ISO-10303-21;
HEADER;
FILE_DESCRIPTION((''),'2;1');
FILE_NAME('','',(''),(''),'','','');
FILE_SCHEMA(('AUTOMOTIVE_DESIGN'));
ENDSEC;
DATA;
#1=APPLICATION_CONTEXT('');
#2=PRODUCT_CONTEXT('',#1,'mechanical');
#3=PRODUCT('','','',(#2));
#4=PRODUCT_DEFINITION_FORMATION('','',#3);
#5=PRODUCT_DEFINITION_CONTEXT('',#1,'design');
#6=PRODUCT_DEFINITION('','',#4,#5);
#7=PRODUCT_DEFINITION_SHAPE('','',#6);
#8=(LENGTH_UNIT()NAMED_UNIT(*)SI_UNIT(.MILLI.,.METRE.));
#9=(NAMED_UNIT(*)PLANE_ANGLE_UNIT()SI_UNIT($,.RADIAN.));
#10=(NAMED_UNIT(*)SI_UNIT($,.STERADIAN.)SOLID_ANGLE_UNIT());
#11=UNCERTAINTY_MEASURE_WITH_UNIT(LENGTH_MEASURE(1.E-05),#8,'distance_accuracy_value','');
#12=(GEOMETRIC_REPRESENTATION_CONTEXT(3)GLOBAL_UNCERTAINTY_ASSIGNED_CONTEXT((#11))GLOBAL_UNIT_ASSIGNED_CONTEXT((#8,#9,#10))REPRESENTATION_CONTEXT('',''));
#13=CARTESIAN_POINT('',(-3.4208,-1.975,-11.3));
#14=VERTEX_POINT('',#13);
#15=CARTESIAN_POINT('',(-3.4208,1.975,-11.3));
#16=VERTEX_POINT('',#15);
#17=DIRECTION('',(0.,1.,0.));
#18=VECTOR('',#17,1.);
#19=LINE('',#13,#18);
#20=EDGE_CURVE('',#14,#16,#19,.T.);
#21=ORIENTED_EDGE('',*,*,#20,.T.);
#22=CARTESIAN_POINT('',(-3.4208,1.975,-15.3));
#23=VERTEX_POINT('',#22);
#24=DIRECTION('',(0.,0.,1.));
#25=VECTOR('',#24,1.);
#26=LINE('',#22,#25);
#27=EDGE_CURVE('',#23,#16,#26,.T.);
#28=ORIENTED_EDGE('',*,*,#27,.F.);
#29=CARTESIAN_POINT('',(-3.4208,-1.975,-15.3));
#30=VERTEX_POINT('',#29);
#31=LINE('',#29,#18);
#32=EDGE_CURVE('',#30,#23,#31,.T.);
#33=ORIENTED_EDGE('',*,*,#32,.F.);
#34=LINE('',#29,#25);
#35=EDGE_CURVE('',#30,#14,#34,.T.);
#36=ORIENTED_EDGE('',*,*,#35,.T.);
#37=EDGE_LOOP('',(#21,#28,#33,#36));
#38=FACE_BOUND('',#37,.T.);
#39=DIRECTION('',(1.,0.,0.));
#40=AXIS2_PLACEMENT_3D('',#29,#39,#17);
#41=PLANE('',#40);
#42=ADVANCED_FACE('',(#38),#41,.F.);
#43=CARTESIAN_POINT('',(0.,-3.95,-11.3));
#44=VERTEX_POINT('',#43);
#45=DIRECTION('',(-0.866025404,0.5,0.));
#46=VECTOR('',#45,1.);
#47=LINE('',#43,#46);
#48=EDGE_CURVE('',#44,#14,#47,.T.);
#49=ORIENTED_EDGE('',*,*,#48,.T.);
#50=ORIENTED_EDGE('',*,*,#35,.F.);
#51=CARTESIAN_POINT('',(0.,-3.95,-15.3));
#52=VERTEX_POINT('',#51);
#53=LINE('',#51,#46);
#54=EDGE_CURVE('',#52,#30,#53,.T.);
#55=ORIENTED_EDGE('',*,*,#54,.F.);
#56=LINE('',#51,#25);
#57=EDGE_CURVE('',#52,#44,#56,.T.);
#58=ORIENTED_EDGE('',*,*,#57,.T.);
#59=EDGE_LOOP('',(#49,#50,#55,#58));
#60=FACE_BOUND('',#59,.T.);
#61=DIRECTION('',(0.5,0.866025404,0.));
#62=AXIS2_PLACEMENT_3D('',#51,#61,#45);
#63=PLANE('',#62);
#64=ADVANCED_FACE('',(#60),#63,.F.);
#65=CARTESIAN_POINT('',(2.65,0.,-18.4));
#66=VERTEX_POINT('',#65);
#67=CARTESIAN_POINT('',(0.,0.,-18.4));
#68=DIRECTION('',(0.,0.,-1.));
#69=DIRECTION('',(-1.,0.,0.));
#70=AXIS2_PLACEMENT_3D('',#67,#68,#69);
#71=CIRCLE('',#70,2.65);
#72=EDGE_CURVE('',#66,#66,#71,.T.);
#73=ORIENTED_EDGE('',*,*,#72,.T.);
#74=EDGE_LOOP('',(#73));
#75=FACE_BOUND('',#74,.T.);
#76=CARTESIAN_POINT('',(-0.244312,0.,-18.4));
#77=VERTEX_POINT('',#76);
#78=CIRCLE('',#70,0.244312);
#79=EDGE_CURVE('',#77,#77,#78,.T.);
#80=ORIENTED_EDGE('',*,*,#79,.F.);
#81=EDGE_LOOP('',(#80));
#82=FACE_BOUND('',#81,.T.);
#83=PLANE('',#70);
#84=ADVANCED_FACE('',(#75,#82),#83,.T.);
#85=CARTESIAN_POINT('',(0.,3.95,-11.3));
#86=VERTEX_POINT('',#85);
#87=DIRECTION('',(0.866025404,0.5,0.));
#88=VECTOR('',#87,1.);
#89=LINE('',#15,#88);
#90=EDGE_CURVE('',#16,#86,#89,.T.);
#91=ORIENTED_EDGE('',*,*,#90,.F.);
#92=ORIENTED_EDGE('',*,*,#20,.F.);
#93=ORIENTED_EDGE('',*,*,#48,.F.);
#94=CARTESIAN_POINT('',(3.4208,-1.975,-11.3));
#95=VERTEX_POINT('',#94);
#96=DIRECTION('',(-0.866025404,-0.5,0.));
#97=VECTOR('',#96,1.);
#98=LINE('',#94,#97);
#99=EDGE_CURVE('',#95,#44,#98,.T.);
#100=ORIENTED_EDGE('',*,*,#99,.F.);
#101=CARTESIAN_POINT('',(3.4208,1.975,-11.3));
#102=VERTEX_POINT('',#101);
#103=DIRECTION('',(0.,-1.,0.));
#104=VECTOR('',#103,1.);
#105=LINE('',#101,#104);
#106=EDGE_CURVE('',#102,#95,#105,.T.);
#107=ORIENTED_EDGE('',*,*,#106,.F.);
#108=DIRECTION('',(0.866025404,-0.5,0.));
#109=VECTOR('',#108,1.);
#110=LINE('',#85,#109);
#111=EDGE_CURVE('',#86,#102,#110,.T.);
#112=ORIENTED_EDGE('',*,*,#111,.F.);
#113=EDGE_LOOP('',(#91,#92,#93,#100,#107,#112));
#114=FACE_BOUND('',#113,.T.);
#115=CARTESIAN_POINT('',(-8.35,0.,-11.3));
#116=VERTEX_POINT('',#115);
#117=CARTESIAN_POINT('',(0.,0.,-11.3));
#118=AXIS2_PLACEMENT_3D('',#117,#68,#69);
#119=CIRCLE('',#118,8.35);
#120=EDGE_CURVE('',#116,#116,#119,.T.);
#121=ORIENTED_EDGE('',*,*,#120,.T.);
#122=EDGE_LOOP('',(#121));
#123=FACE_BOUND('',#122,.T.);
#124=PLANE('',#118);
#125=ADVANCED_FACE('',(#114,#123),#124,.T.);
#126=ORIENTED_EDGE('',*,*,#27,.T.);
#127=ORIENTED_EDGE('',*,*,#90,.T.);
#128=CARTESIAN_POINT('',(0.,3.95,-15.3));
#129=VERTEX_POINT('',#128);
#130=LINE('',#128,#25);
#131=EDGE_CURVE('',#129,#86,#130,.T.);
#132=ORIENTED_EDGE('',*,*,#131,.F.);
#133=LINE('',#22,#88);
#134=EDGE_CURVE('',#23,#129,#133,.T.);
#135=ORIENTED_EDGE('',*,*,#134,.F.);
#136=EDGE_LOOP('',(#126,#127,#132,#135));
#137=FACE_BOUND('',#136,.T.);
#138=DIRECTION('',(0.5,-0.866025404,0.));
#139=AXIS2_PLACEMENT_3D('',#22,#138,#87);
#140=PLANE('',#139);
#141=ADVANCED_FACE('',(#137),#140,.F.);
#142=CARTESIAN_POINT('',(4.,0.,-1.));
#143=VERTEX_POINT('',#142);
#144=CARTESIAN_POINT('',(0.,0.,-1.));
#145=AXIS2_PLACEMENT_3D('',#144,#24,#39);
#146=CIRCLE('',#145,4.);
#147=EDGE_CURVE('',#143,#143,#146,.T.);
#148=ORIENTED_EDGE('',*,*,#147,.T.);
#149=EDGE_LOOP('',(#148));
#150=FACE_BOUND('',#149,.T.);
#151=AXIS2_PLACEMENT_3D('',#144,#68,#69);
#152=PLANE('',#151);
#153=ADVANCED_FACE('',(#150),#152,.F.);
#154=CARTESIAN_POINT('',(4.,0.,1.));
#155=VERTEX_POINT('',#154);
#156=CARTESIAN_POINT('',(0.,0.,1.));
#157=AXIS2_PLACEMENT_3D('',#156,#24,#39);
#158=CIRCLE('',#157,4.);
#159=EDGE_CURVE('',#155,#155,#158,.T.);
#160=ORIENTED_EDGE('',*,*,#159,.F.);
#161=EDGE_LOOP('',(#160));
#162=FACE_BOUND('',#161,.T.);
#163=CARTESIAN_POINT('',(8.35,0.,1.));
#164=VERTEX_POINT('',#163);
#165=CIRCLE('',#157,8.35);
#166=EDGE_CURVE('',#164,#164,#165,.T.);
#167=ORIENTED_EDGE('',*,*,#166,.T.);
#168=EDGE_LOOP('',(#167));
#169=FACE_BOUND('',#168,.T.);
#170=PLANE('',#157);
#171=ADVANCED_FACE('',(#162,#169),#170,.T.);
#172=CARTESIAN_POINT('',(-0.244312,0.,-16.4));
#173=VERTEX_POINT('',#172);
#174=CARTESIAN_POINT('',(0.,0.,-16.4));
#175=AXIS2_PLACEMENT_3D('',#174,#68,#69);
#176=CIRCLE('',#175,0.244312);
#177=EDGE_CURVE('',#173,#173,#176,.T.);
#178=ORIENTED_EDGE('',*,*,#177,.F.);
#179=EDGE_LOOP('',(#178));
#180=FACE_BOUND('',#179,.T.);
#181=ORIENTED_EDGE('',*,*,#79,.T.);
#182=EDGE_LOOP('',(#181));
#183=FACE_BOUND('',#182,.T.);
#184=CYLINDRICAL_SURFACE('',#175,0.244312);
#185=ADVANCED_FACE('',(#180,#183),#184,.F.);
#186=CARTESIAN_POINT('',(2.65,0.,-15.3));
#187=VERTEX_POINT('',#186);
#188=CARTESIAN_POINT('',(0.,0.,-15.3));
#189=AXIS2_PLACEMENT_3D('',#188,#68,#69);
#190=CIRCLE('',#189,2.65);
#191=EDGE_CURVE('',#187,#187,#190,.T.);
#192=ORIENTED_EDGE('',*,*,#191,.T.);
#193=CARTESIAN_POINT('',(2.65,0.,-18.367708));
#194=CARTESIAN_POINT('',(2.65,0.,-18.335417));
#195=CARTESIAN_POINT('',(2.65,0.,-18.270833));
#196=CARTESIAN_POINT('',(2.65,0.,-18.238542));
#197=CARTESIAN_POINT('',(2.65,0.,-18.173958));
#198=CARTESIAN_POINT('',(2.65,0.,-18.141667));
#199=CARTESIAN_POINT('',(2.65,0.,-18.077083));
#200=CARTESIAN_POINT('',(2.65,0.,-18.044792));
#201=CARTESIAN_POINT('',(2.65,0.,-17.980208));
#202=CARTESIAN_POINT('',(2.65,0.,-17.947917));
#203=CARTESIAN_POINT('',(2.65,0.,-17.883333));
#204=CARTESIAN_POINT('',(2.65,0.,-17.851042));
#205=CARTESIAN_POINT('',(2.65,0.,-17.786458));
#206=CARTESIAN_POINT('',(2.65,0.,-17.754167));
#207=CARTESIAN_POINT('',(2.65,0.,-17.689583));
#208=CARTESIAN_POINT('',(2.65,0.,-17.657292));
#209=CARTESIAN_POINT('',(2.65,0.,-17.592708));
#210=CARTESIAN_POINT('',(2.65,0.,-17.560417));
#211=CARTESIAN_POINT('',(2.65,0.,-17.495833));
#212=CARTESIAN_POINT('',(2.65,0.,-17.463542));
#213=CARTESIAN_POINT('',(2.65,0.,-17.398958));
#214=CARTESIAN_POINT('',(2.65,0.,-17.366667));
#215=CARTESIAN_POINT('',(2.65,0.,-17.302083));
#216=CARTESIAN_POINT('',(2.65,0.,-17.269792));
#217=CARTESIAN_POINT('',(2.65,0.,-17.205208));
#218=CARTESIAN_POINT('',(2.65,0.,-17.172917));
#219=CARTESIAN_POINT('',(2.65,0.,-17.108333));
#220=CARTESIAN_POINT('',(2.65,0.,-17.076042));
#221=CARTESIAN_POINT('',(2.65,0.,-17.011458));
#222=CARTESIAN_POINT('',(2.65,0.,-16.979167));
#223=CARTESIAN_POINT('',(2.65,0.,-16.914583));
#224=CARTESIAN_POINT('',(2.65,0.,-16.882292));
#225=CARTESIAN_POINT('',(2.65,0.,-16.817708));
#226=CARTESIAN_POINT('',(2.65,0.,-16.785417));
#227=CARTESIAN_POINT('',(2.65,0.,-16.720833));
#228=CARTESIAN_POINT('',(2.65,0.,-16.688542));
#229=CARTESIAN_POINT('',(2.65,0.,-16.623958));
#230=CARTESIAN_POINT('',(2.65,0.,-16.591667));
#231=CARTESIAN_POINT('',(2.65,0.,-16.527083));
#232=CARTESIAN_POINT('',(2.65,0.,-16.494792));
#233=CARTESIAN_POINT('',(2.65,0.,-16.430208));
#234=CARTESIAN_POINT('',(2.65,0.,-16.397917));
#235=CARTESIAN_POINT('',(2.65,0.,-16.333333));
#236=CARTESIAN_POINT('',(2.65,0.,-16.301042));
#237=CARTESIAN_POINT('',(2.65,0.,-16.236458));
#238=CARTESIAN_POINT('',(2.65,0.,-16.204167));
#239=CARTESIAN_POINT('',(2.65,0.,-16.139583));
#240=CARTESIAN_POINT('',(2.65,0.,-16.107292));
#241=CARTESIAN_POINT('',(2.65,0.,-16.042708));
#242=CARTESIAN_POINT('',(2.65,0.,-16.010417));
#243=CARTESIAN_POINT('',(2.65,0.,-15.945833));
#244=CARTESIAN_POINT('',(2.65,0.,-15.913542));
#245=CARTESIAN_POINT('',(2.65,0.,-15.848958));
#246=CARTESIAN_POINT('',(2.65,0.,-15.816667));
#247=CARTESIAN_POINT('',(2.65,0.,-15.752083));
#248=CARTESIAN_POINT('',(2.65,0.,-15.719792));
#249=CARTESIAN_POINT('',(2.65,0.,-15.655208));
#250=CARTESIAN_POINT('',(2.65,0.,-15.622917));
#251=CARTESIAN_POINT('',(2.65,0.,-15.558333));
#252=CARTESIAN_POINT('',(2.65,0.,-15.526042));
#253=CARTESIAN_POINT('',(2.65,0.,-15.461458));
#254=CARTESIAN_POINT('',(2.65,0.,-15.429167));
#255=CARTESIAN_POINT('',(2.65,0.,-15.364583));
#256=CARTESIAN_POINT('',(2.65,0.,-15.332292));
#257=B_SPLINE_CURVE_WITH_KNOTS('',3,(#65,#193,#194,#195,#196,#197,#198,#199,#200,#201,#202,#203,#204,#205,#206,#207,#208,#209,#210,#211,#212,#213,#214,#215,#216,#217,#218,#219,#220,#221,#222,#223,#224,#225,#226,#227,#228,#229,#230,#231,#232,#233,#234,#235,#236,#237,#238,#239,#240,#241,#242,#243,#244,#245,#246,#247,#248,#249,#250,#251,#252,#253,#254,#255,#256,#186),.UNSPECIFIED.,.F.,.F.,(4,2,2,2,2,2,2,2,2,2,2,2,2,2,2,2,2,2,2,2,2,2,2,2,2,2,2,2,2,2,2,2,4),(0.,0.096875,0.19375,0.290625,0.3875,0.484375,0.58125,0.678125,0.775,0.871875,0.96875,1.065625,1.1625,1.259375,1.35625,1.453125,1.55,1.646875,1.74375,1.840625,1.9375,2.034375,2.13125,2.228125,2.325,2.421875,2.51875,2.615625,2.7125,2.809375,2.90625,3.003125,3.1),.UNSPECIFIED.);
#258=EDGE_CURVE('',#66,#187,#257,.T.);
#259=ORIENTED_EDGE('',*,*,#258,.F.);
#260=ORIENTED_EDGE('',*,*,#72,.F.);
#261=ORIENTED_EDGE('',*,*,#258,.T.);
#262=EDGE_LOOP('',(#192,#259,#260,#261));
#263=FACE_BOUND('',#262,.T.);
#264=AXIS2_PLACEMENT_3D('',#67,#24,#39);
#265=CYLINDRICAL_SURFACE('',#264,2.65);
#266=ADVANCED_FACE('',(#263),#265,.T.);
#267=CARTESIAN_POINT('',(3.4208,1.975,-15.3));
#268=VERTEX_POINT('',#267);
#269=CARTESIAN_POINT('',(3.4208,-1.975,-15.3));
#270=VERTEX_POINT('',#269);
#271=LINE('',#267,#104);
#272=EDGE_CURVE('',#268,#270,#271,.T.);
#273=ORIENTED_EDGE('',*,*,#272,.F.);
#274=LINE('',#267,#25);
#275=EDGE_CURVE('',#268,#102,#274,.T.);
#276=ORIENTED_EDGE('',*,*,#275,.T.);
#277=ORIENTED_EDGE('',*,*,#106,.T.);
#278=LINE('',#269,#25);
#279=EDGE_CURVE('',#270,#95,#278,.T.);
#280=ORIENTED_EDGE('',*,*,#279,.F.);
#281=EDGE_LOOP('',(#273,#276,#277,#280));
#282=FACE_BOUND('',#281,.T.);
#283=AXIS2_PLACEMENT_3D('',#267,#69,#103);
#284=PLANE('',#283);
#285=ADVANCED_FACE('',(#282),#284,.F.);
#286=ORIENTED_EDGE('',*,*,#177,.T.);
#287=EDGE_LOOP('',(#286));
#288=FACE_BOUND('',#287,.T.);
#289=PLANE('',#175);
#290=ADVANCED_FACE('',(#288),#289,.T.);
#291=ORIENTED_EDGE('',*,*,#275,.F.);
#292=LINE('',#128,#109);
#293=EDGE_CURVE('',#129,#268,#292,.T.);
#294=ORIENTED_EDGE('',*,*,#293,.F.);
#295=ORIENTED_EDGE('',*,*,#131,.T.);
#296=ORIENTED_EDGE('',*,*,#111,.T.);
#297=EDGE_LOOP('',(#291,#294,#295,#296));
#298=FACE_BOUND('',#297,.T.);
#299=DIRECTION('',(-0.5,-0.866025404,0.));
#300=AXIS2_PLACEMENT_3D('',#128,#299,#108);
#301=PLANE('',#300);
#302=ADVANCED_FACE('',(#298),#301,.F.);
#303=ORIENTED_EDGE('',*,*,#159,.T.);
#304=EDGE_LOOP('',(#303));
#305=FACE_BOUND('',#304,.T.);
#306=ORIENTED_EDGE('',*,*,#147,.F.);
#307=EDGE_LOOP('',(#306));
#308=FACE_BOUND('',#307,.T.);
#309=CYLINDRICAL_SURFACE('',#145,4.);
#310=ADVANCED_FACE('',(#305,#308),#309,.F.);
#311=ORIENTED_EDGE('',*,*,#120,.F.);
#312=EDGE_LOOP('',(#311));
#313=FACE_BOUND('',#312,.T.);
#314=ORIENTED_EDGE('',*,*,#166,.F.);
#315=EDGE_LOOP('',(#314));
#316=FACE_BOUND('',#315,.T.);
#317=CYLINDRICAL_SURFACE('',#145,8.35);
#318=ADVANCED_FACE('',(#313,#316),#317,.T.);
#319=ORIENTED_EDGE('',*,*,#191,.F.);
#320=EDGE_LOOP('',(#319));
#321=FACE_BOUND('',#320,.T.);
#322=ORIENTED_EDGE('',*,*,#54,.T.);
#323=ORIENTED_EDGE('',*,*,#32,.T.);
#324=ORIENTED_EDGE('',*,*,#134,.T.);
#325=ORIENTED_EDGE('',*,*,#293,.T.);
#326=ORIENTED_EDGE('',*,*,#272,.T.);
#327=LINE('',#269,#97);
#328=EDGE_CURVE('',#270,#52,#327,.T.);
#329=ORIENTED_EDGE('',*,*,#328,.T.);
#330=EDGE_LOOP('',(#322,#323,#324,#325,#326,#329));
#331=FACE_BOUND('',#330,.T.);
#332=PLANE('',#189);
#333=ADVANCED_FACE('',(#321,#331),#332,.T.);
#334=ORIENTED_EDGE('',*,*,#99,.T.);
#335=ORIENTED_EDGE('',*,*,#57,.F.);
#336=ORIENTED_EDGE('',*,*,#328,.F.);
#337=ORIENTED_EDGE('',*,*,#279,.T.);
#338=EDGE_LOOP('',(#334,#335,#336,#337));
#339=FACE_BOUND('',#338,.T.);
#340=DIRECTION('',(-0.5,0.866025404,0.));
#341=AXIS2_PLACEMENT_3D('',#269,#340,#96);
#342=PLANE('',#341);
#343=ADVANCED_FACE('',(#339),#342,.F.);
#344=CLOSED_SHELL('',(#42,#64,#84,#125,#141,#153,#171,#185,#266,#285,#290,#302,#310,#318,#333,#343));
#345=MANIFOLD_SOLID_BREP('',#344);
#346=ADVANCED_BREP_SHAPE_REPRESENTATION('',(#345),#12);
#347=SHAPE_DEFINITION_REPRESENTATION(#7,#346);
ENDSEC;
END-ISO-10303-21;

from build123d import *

# Parameters (mm, degrees)
BOSS_EXTRUDE1_DEPTH      = 1
BOSS_EXTRUDE1_DEPTH_BACK = 1
SKETCH3_R                = 8.35
SKETCH3_R_2              = 4
SKETCH4_R                = 8.35
BOSS_EXTRUDE2_DEPTH      = 10.3
BOSS_EXTRUDE4_DEPTH      = 4
SKETCH6_R                = 2.65
BOSS_EXTRUDE5_DEPTH      = 3.1
SKETCH7_R                = 0.244312337
CUT_EXTRUDE1_DEPTH       = 2


with BuildPart() as part:
    # Sketch3 → Boss-Extrude1 (new, two sides: drawn at the far end of the back side and taken through both)
    with BuildSketch(Plane.XY.offset(-BOSS_EXTRUDE1_DEPTH_BACK)):
        Circle(SKETCH3_R)
        Circle(SKETCH3_R_2, mode=Mode.SUBTRACT)
    extrude(amount=BOSS_EXTRUDE1_DEPTH + BOSS_EXTRUDE1_DEPTH_BACK)

    # Sketch4 → Boss-Extrude2 (add)
    with BuildSketch(Plane(origin=(0, 0, -1), x_dir=(-1, 0, 0), z_dir=(0, 0, -1))):
        Circle(SKETCH4_R)
    extrude(amount=BOSS_EXTRUDE2_DEPTH)

    # Sketch5 → Boss-Extrude4 (add)
    with BuildSketch(Plane(origin=(0, 0, -11.3), x_dir=(-1, 0, 0), z_dir=(0, 0, -1))):
        Polygon((0, 3.95), (-3.420800345, 1.975), (-3.420800345, -1.975), (0, -3.95), (3.420800345, -1.975), (3.420800345, 1.975), align=None)
    extrude(amount=BOSS_EXTRUDE4_DEPTH)

    # Sketch6 → Boss-Extrude5 (add)
    with BuildSketch(Plane(origin=(0, 0, -15.3), x_dir=(-1, 0, 0), z_dir=(0, 0, -1))):
        Circle(SKETCH6_R)
    extrude(amount=BOSS_EXTRUDE5_DEPTH)

    # Sketch7 → Cut-Extrude1 (cut)
    with BuildSketch(Plane(origin=(0, 0, -18.4), x_dir=(-1, 0, 0), z_dir=(0, 0, -1))):
        Circle(SKETCH7_R)
    extrude(amount=-CUT_EXTRUDE1_DEPTH, mode=Mode.SUBTRACT)


solid = part.part
